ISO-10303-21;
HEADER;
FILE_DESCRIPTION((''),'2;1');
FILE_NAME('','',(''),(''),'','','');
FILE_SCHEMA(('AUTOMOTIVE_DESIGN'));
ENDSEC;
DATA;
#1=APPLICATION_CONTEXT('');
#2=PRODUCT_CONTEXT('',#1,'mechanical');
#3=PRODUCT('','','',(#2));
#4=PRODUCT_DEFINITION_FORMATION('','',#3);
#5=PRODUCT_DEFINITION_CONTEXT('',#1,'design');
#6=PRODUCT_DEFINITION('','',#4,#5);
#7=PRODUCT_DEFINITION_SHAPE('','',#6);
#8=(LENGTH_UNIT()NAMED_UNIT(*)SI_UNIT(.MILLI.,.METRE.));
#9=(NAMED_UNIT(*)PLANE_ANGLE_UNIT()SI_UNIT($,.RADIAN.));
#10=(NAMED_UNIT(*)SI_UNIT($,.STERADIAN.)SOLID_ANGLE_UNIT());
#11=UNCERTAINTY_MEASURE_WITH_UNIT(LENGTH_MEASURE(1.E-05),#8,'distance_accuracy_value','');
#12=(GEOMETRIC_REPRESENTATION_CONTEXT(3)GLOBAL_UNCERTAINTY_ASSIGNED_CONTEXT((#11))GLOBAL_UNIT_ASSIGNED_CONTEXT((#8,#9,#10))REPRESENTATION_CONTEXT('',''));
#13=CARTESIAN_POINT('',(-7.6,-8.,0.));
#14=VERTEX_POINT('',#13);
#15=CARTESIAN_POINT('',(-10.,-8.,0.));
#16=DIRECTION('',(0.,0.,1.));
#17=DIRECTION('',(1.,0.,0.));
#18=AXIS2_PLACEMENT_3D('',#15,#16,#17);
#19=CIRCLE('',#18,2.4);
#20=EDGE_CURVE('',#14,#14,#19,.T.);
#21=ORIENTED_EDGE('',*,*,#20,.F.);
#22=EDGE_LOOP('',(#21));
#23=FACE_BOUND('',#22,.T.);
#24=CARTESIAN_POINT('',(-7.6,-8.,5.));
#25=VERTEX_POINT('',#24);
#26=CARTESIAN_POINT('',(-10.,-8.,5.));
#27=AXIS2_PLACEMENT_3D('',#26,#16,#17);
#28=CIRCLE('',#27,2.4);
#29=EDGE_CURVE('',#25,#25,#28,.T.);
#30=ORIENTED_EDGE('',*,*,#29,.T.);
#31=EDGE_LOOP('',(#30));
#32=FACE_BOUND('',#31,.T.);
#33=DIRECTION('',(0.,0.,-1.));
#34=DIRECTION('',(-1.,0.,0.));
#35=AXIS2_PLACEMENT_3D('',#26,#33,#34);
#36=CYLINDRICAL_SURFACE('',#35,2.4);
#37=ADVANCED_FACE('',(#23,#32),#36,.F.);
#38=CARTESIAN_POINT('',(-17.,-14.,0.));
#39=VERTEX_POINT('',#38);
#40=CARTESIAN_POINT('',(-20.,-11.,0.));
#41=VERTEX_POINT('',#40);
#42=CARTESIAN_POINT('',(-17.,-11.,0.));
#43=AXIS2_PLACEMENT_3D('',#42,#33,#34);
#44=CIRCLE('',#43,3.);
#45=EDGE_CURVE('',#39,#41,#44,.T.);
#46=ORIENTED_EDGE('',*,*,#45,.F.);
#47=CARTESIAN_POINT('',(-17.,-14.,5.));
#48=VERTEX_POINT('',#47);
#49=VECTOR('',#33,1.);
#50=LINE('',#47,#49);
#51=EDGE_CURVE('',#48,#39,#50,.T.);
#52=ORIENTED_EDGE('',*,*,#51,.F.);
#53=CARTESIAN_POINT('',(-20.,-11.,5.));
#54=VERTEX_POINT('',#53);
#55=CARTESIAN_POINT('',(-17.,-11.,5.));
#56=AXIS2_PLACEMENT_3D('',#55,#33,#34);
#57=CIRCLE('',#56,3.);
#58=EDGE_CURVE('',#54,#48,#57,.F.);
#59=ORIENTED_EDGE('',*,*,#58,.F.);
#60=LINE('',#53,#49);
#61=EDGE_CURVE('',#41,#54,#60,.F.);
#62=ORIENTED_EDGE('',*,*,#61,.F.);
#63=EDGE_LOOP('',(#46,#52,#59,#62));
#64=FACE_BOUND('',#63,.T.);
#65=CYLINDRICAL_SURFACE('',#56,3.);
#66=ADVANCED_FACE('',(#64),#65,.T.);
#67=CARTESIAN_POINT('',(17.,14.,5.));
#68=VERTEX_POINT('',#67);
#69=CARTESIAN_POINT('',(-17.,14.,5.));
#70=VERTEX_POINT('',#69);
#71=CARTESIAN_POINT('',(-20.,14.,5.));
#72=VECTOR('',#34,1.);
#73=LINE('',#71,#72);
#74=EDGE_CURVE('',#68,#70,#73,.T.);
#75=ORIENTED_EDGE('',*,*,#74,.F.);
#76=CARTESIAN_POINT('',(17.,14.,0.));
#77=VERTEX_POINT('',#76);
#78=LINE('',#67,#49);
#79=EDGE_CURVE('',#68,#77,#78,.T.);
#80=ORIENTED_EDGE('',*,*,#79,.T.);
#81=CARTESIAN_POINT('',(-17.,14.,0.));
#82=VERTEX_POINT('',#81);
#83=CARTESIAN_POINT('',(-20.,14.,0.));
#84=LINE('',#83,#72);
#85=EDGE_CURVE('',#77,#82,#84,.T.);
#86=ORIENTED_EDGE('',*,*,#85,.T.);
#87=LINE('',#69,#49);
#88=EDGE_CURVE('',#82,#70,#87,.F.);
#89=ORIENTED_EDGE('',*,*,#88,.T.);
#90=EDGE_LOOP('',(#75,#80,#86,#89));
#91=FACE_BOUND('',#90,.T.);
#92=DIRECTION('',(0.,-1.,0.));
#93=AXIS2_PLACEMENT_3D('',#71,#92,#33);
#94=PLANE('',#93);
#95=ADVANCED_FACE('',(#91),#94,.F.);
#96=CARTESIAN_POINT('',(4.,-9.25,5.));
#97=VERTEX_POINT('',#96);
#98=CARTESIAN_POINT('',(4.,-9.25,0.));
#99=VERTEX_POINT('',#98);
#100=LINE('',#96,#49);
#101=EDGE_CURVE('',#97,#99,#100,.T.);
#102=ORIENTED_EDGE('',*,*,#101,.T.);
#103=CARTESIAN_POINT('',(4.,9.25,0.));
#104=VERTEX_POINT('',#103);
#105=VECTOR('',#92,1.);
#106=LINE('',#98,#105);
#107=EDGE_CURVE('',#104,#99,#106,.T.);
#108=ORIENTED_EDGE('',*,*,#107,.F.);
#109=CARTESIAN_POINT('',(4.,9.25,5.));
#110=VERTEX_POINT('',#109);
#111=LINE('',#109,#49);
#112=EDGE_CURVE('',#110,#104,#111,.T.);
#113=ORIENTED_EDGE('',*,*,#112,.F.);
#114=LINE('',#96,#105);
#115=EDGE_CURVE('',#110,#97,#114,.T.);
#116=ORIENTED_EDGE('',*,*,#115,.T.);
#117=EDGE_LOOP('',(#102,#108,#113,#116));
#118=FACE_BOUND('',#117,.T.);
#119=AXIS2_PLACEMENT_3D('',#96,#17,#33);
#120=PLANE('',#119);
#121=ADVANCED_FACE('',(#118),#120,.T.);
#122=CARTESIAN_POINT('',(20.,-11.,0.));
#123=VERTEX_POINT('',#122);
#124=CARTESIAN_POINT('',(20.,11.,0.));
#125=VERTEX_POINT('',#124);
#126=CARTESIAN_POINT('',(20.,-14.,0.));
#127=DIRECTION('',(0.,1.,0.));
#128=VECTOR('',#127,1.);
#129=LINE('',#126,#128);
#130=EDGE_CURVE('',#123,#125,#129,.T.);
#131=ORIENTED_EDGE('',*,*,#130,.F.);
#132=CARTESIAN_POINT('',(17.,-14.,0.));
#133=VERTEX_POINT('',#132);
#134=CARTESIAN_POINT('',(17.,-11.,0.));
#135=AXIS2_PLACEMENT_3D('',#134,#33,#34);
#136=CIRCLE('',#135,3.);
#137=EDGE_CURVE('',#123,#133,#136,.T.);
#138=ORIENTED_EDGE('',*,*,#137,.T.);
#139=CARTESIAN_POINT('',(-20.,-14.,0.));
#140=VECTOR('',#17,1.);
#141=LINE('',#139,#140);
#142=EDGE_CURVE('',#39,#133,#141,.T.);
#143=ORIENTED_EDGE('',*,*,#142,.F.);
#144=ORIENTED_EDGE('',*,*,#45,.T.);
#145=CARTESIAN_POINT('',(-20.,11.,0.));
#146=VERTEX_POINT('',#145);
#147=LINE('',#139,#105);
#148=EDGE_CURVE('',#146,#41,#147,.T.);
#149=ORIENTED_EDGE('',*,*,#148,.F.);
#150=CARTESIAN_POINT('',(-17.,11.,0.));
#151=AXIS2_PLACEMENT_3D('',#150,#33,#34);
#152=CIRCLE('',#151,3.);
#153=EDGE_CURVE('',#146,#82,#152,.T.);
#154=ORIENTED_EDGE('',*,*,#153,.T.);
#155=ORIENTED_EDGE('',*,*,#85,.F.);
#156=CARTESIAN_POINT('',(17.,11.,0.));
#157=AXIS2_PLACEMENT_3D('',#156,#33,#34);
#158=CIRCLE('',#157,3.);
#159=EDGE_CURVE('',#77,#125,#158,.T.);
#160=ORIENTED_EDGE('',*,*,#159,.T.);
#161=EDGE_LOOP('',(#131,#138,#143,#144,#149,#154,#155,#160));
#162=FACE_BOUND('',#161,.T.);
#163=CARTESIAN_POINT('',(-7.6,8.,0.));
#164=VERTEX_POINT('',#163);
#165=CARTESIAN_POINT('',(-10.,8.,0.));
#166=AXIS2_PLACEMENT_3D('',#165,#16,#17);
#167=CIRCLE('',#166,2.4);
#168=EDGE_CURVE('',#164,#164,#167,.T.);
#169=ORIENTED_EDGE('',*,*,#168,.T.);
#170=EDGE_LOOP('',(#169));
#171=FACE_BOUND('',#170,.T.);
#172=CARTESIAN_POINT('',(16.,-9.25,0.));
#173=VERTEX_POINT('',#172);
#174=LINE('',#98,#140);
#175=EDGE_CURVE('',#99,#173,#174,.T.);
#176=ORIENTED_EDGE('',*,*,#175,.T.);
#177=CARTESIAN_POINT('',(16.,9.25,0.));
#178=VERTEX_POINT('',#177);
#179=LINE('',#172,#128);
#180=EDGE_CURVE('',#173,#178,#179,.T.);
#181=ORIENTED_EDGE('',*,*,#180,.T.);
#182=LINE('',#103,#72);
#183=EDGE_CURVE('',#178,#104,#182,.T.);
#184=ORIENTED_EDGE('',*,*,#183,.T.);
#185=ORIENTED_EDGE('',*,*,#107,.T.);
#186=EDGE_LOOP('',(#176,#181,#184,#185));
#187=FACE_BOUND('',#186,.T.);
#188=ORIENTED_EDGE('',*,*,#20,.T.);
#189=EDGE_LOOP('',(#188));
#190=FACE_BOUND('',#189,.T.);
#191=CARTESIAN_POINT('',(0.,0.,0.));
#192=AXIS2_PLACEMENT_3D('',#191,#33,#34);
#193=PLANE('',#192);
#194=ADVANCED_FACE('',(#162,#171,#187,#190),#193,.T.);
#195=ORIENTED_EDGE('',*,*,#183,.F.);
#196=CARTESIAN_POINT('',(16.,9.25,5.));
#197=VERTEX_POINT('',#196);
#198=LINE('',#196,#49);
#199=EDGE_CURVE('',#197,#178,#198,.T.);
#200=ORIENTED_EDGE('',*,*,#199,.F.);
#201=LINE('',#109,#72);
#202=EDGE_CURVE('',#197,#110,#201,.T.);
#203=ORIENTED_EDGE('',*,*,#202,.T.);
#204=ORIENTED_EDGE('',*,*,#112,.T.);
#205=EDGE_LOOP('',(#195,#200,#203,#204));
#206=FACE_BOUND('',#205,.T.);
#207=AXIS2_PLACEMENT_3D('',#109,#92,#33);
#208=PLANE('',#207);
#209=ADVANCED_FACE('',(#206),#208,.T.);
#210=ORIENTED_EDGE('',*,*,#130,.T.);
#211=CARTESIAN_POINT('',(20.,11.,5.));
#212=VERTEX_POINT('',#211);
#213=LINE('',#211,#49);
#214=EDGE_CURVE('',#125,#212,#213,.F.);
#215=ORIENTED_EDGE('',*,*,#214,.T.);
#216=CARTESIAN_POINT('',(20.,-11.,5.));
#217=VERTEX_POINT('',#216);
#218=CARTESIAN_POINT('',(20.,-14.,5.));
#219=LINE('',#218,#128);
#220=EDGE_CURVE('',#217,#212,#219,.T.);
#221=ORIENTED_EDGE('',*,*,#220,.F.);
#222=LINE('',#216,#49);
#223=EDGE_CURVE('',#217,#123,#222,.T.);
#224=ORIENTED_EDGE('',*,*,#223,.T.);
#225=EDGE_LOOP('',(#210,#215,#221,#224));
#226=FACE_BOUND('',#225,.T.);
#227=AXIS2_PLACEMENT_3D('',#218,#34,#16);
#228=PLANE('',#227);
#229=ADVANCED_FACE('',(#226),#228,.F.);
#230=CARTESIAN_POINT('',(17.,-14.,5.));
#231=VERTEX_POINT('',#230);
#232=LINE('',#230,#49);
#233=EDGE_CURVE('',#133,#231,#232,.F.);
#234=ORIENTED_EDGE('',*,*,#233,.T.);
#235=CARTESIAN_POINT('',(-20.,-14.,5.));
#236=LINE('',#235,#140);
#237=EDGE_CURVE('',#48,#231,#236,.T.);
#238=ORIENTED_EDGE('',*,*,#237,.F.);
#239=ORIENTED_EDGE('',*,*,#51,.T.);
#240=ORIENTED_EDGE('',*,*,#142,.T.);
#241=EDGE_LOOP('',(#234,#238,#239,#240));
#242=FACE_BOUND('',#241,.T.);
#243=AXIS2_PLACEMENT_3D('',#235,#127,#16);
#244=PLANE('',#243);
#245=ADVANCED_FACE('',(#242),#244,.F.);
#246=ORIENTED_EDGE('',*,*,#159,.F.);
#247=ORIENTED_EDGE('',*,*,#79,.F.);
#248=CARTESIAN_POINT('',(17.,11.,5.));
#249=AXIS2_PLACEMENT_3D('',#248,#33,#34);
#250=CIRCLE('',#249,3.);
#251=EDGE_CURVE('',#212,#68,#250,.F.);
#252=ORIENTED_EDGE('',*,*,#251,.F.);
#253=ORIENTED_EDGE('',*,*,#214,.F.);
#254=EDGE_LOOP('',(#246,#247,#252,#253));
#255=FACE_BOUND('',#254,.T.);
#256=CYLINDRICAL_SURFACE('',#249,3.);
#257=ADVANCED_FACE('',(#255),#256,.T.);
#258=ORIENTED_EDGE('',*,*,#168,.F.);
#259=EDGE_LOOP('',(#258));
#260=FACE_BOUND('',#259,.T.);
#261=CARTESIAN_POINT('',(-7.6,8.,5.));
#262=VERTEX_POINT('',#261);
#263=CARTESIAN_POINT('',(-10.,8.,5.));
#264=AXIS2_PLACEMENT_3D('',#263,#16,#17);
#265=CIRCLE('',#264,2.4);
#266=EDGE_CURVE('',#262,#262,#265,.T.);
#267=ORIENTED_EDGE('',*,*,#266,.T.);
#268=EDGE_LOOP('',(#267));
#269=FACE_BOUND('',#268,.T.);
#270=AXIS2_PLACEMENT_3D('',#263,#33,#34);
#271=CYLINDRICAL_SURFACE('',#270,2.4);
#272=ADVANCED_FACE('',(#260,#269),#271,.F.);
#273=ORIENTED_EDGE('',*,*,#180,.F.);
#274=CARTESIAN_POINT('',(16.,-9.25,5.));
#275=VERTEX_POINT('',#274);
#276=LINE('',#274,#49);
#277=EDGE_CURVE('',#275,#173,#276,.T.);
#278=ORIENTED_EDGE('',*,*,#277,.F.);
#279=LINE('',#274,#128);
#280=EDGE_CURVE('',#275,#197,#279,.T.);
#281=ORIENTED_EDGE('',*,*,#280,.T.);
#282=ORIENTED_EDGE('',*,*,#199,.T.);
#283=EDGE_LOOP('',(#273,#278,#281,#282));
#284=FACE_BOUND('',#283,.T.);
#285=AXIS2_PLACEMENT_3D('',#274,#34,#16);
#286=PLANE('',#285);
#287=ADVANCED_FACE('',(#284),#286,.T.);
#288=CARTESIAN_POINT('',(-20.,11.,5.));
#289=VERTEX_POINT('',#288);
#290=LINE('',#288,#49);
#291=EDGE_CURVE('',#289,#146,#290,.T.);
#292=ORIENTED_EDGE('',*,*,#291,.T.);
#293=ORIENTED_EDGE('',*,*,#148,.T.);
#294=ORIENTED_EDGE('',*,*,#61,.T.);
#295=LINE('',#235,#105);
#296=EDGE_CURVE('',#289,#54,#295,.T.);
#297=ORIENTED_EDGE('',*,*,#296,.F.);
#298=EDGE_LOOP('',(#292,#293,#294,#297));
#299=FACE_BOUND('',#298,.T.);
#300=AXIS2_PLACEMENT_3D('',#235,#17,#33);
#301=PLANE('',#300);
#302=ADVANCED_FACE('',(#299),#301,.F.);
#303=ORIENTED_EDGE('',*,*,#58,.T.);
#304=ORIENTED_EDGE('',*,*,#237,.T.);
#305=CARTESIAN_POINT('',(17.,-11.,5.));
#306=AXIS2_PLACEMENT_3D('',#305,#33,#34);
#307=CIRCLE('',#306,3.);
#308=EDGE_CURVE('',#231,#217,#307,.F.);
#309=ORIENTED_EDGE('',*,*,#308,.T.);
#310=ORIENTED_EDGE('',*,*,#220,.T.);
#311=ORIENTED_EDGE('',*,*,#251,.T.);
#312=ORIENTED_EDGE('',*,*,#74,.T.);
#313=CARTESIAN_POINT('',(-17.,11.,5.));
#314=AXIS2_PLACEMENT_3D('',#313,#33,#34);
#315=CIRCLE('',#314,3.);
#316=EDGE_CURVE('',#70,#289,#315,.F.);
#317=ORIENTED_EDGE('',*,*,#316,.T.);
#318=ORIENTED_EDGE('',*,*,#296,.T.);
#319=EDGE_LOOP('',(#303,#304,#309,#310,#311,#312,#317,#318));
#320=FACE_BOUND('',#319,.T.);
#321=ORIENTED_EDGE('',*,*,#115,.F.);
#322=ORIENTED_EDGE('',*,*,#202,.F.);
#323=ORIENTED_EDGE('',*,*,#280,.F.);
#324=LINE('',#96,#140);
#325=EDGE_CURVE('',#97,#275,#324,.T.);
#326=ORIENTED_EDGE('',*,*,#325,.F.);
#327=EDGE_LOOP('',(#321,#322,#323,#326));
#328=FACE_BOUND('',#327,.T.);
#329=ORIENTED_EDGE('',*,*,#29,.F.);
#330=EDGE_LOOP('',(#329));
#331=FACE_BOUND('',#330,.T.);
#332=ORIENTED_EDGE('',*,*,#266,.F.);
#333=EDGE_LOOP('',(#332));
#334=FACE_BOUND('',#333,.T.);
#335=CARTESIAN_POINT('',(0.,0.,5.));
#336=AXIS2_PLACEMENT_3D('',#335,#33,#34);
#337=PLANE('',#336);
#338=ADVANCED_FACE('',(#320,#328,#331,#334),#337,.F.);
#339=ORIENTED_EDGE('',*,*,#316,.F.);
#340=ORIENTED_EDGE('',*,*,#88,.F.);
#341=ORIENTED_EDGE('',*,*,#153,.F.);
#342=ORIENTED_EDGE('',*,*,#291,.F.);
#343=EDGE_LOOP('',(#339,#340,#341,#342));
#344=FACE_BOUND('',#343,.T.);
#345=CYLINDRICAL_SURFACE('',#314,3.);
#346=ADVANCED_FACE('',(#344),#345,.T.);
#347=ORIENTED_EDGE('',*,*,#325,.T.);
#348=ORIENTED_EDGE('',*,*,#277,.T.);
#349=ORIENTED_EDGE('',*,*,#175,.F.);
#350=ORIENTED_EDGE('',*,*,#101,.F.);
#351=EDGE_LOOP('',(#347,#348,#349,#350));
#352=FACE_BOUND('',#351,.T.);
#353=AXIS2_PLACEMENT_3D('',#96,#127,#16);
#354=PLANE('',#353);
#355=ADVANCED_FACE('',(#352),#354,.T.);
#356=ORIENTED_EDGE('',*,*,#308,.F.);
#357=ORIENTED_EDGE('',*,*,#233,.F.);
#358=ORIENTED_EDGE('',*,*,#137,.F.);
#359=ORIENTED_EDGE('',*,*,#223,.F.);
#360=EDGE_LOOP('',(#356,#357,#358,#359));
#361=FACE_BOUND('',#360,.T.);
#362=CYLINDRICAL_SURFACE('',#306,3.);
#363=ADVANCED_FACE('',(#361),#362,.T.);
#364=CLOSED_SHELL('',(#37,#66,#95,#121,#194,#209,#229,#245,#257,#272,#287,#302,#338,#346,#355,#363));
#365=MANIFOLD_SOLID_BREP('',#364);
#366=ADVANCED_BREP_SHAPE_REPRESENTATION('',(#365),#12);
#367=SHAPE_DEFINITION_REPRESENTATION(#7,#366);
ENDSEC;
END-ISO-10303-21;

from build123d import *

# Parameters (mm, degrees)
SKETCH1_W           = 40
SKETCH1_H           = 28
SKETCH1_R           = 2.4
SKETCH1_W_2         = 12
SKETCH1_H_2         = 18.5
BOSS_EXTRUDE1_DEPTH = 5
FILLET1_R           = 3


with BuildPart() as part:
    # Sketch1 → Boss-Extrude1 (new body)
    with BuildSketch(Plane.XY):
        Rectangle(SKETCH1_W, SKETCH1_H)
        with Locations((-10, 8)):
            Circle(SKETCH1_R, mode=Mode.SUBTRACT)
        with Locations((-10, -8)):
            Circle(SKETCH1_R, mode=Mode.SUBTRACT)
        with Locations((10, 0)):
            Rectangle(SKETCH1_W_2, SKETCH1_H_2, mode=Mode.SUBTRACT)
    extrude(amount=BOSS_EXTRUDE1_DEPTH)

    # Fillet1
    fillet1_edges = [part.edges().sort_by_distance(p)[0] for p in [
        (20, -14, 2.5),
        (-20, -14, 2.5),
        (-20, 14, 2.5),
        (20, 14, 2.5),
    ]]
    fillet(fillet1_edges, radius=FILLET1_R)


solid = part.part
